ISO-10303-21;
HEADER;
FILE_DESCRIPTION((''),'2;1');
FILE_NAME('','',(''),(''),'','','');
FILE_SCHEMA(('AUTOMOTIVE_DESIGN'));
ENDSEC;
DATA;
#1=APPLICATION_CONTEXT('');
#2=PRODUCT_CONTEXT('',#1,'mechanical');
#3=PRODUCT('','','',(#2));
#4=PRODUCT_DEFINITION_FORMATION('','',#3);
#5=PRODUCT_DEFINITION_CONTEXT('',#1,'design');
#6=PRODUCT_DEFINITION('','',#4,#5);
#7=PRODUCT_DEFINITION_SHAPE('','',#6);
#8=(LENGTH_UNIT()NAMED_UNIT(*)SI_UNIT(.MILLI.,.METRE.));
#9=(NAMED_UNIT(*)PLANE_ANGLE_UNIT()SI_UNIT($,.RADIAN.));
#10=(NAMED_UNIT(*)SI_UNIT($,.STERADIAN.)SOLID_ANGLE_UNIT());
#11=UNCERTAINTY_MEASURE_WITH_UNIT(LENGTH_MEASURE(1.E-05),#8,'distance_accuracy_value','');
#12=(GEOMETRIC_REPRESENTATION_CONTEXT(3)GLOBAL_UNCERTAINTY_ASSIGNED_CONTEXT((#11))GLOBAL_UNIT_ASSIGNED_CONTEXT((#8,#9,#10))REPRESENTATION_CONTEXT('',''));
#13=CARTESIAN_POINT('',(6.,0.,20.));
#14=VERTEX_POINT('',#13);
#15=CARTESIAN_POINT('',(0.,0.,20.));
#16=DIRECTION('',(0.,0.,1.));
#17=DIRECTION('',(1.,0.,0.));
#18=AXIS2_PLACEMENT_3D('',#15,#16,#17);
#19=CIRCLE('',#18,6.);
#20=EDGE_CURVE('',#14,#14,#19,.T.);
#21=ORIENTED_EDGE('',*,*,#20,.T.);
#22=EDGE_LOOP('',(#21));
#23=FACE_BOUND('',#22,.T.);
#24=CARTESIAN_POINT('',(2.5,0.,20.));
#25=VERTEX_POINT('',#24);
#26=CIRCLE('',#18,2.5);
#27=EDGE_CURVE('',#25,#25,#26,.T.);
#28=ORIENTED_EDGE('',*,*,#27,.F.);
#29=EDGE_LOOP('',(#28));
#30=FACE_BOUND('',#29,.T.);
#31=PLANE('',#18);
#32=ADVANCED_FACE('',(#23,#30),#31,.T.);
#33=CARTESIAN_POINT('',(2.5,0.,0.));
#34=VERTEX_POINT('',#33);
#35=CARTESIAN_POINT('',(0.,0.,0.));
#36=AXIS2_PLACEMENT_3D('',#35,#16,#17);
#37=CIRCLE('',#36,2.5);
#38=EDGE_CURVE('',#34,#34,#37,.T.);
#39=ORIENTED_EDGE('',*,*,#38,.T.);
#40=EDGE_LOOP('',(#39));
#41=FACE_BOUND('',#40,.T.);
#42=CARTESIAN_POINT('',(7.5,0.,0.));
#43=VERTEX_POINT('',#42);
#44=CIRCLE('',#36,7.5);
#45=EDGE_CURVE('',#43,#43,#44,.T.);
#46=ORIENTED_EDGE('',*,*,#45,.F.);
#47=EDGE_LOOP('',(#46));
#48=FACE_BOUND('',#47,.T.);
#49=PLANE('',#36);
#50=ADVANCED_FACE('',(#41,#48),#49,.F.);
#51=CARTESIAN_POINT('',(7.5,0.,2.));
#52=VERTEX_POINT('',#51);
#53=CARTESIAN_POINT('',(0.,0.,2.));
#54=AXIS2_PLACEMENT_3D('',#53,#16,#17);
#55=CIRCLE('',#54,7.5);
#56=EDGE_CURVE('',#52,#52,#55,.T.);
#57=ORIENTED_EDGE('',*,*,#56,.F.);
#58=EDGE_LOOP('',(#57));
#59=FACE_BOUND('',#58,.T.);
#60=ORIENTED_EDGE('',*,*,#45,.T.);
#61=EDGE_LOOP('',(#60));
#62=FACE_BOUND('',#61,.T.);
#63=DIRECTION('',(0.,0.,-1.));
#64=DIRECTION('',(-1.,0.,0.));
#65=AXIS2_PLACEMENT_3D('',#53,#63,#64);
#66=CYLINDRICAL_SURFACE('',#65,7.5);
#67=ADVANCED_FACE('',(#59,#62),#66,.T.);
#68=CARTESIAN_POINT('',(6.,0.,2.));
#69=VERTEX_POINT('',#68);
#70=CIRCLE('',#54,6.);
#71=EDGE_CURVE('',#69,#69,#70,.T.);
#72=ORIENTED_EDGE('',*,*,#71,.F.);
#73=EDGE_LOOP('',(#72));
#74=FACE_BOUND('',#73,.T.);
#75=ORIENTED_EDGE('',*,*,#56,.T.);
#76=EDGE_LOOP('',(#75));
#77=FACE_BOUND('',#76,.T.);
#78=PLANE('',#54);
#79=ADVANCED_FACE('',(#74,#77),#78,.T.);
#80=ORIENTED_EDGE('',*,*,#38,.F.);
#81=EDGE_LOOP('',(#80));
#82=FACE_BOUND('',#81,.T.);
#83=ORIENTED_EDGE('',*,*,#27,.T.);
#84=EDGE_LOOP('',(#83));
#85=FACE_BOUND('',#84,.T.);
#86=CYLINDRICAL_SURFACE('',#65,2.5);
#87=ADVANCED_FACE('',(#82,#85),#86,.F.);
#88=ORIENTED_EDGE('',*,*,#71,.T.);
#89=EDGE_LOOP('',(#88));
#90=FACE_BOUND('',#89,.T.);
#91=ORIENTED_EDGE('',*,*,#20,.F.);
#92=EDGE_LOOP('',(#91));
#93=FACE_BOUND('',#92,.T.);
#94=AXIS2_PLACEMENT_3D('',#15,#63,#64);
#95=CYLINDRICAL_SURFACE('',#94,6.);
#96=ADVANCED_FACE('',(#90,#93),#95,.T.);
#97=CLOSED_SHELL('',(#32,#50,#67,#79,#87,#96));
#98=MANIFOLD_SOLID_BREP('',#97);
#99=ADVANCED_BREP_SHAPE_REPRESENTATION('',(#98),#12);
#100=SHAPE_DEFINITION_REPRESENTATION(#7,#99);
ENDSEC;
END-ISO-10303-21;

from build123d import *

# Parameters (mm, degrees)
SKETCH1_R           = 7.5
SKETCH1_R_2         = 2.5
BOSS_EXTRUDE1_DEPTH = 2
SKETCH3_R           = 6
SKETCH3_R_2         = 2.5
BOSS_EXTRUDE2_DEPTH = 18


with BuildPart() as part:
    # Sketch1 → Boss-Extrude1 (new body)
    with BuildSketch(Plane.XY):
        Circle(SKETCH1_R)
        Circle(SKETCH1_R_2, mode=Mode.SUBTRACT)
    extrude(amount=BOSS_EXTRUDE1_DEPTH)

    # Sketch3 → Boss-Extrude2 (add)
    with BuildSketch(Plane.XY.offset(2)):
        Circle(SKETCH3_R)
        Circle(SKETCH3_R_2, mode=Mode.SUBTRACT)
    extrude(amount=BOSS_EXTRUDE2_DEPTH)


solid = part.part
